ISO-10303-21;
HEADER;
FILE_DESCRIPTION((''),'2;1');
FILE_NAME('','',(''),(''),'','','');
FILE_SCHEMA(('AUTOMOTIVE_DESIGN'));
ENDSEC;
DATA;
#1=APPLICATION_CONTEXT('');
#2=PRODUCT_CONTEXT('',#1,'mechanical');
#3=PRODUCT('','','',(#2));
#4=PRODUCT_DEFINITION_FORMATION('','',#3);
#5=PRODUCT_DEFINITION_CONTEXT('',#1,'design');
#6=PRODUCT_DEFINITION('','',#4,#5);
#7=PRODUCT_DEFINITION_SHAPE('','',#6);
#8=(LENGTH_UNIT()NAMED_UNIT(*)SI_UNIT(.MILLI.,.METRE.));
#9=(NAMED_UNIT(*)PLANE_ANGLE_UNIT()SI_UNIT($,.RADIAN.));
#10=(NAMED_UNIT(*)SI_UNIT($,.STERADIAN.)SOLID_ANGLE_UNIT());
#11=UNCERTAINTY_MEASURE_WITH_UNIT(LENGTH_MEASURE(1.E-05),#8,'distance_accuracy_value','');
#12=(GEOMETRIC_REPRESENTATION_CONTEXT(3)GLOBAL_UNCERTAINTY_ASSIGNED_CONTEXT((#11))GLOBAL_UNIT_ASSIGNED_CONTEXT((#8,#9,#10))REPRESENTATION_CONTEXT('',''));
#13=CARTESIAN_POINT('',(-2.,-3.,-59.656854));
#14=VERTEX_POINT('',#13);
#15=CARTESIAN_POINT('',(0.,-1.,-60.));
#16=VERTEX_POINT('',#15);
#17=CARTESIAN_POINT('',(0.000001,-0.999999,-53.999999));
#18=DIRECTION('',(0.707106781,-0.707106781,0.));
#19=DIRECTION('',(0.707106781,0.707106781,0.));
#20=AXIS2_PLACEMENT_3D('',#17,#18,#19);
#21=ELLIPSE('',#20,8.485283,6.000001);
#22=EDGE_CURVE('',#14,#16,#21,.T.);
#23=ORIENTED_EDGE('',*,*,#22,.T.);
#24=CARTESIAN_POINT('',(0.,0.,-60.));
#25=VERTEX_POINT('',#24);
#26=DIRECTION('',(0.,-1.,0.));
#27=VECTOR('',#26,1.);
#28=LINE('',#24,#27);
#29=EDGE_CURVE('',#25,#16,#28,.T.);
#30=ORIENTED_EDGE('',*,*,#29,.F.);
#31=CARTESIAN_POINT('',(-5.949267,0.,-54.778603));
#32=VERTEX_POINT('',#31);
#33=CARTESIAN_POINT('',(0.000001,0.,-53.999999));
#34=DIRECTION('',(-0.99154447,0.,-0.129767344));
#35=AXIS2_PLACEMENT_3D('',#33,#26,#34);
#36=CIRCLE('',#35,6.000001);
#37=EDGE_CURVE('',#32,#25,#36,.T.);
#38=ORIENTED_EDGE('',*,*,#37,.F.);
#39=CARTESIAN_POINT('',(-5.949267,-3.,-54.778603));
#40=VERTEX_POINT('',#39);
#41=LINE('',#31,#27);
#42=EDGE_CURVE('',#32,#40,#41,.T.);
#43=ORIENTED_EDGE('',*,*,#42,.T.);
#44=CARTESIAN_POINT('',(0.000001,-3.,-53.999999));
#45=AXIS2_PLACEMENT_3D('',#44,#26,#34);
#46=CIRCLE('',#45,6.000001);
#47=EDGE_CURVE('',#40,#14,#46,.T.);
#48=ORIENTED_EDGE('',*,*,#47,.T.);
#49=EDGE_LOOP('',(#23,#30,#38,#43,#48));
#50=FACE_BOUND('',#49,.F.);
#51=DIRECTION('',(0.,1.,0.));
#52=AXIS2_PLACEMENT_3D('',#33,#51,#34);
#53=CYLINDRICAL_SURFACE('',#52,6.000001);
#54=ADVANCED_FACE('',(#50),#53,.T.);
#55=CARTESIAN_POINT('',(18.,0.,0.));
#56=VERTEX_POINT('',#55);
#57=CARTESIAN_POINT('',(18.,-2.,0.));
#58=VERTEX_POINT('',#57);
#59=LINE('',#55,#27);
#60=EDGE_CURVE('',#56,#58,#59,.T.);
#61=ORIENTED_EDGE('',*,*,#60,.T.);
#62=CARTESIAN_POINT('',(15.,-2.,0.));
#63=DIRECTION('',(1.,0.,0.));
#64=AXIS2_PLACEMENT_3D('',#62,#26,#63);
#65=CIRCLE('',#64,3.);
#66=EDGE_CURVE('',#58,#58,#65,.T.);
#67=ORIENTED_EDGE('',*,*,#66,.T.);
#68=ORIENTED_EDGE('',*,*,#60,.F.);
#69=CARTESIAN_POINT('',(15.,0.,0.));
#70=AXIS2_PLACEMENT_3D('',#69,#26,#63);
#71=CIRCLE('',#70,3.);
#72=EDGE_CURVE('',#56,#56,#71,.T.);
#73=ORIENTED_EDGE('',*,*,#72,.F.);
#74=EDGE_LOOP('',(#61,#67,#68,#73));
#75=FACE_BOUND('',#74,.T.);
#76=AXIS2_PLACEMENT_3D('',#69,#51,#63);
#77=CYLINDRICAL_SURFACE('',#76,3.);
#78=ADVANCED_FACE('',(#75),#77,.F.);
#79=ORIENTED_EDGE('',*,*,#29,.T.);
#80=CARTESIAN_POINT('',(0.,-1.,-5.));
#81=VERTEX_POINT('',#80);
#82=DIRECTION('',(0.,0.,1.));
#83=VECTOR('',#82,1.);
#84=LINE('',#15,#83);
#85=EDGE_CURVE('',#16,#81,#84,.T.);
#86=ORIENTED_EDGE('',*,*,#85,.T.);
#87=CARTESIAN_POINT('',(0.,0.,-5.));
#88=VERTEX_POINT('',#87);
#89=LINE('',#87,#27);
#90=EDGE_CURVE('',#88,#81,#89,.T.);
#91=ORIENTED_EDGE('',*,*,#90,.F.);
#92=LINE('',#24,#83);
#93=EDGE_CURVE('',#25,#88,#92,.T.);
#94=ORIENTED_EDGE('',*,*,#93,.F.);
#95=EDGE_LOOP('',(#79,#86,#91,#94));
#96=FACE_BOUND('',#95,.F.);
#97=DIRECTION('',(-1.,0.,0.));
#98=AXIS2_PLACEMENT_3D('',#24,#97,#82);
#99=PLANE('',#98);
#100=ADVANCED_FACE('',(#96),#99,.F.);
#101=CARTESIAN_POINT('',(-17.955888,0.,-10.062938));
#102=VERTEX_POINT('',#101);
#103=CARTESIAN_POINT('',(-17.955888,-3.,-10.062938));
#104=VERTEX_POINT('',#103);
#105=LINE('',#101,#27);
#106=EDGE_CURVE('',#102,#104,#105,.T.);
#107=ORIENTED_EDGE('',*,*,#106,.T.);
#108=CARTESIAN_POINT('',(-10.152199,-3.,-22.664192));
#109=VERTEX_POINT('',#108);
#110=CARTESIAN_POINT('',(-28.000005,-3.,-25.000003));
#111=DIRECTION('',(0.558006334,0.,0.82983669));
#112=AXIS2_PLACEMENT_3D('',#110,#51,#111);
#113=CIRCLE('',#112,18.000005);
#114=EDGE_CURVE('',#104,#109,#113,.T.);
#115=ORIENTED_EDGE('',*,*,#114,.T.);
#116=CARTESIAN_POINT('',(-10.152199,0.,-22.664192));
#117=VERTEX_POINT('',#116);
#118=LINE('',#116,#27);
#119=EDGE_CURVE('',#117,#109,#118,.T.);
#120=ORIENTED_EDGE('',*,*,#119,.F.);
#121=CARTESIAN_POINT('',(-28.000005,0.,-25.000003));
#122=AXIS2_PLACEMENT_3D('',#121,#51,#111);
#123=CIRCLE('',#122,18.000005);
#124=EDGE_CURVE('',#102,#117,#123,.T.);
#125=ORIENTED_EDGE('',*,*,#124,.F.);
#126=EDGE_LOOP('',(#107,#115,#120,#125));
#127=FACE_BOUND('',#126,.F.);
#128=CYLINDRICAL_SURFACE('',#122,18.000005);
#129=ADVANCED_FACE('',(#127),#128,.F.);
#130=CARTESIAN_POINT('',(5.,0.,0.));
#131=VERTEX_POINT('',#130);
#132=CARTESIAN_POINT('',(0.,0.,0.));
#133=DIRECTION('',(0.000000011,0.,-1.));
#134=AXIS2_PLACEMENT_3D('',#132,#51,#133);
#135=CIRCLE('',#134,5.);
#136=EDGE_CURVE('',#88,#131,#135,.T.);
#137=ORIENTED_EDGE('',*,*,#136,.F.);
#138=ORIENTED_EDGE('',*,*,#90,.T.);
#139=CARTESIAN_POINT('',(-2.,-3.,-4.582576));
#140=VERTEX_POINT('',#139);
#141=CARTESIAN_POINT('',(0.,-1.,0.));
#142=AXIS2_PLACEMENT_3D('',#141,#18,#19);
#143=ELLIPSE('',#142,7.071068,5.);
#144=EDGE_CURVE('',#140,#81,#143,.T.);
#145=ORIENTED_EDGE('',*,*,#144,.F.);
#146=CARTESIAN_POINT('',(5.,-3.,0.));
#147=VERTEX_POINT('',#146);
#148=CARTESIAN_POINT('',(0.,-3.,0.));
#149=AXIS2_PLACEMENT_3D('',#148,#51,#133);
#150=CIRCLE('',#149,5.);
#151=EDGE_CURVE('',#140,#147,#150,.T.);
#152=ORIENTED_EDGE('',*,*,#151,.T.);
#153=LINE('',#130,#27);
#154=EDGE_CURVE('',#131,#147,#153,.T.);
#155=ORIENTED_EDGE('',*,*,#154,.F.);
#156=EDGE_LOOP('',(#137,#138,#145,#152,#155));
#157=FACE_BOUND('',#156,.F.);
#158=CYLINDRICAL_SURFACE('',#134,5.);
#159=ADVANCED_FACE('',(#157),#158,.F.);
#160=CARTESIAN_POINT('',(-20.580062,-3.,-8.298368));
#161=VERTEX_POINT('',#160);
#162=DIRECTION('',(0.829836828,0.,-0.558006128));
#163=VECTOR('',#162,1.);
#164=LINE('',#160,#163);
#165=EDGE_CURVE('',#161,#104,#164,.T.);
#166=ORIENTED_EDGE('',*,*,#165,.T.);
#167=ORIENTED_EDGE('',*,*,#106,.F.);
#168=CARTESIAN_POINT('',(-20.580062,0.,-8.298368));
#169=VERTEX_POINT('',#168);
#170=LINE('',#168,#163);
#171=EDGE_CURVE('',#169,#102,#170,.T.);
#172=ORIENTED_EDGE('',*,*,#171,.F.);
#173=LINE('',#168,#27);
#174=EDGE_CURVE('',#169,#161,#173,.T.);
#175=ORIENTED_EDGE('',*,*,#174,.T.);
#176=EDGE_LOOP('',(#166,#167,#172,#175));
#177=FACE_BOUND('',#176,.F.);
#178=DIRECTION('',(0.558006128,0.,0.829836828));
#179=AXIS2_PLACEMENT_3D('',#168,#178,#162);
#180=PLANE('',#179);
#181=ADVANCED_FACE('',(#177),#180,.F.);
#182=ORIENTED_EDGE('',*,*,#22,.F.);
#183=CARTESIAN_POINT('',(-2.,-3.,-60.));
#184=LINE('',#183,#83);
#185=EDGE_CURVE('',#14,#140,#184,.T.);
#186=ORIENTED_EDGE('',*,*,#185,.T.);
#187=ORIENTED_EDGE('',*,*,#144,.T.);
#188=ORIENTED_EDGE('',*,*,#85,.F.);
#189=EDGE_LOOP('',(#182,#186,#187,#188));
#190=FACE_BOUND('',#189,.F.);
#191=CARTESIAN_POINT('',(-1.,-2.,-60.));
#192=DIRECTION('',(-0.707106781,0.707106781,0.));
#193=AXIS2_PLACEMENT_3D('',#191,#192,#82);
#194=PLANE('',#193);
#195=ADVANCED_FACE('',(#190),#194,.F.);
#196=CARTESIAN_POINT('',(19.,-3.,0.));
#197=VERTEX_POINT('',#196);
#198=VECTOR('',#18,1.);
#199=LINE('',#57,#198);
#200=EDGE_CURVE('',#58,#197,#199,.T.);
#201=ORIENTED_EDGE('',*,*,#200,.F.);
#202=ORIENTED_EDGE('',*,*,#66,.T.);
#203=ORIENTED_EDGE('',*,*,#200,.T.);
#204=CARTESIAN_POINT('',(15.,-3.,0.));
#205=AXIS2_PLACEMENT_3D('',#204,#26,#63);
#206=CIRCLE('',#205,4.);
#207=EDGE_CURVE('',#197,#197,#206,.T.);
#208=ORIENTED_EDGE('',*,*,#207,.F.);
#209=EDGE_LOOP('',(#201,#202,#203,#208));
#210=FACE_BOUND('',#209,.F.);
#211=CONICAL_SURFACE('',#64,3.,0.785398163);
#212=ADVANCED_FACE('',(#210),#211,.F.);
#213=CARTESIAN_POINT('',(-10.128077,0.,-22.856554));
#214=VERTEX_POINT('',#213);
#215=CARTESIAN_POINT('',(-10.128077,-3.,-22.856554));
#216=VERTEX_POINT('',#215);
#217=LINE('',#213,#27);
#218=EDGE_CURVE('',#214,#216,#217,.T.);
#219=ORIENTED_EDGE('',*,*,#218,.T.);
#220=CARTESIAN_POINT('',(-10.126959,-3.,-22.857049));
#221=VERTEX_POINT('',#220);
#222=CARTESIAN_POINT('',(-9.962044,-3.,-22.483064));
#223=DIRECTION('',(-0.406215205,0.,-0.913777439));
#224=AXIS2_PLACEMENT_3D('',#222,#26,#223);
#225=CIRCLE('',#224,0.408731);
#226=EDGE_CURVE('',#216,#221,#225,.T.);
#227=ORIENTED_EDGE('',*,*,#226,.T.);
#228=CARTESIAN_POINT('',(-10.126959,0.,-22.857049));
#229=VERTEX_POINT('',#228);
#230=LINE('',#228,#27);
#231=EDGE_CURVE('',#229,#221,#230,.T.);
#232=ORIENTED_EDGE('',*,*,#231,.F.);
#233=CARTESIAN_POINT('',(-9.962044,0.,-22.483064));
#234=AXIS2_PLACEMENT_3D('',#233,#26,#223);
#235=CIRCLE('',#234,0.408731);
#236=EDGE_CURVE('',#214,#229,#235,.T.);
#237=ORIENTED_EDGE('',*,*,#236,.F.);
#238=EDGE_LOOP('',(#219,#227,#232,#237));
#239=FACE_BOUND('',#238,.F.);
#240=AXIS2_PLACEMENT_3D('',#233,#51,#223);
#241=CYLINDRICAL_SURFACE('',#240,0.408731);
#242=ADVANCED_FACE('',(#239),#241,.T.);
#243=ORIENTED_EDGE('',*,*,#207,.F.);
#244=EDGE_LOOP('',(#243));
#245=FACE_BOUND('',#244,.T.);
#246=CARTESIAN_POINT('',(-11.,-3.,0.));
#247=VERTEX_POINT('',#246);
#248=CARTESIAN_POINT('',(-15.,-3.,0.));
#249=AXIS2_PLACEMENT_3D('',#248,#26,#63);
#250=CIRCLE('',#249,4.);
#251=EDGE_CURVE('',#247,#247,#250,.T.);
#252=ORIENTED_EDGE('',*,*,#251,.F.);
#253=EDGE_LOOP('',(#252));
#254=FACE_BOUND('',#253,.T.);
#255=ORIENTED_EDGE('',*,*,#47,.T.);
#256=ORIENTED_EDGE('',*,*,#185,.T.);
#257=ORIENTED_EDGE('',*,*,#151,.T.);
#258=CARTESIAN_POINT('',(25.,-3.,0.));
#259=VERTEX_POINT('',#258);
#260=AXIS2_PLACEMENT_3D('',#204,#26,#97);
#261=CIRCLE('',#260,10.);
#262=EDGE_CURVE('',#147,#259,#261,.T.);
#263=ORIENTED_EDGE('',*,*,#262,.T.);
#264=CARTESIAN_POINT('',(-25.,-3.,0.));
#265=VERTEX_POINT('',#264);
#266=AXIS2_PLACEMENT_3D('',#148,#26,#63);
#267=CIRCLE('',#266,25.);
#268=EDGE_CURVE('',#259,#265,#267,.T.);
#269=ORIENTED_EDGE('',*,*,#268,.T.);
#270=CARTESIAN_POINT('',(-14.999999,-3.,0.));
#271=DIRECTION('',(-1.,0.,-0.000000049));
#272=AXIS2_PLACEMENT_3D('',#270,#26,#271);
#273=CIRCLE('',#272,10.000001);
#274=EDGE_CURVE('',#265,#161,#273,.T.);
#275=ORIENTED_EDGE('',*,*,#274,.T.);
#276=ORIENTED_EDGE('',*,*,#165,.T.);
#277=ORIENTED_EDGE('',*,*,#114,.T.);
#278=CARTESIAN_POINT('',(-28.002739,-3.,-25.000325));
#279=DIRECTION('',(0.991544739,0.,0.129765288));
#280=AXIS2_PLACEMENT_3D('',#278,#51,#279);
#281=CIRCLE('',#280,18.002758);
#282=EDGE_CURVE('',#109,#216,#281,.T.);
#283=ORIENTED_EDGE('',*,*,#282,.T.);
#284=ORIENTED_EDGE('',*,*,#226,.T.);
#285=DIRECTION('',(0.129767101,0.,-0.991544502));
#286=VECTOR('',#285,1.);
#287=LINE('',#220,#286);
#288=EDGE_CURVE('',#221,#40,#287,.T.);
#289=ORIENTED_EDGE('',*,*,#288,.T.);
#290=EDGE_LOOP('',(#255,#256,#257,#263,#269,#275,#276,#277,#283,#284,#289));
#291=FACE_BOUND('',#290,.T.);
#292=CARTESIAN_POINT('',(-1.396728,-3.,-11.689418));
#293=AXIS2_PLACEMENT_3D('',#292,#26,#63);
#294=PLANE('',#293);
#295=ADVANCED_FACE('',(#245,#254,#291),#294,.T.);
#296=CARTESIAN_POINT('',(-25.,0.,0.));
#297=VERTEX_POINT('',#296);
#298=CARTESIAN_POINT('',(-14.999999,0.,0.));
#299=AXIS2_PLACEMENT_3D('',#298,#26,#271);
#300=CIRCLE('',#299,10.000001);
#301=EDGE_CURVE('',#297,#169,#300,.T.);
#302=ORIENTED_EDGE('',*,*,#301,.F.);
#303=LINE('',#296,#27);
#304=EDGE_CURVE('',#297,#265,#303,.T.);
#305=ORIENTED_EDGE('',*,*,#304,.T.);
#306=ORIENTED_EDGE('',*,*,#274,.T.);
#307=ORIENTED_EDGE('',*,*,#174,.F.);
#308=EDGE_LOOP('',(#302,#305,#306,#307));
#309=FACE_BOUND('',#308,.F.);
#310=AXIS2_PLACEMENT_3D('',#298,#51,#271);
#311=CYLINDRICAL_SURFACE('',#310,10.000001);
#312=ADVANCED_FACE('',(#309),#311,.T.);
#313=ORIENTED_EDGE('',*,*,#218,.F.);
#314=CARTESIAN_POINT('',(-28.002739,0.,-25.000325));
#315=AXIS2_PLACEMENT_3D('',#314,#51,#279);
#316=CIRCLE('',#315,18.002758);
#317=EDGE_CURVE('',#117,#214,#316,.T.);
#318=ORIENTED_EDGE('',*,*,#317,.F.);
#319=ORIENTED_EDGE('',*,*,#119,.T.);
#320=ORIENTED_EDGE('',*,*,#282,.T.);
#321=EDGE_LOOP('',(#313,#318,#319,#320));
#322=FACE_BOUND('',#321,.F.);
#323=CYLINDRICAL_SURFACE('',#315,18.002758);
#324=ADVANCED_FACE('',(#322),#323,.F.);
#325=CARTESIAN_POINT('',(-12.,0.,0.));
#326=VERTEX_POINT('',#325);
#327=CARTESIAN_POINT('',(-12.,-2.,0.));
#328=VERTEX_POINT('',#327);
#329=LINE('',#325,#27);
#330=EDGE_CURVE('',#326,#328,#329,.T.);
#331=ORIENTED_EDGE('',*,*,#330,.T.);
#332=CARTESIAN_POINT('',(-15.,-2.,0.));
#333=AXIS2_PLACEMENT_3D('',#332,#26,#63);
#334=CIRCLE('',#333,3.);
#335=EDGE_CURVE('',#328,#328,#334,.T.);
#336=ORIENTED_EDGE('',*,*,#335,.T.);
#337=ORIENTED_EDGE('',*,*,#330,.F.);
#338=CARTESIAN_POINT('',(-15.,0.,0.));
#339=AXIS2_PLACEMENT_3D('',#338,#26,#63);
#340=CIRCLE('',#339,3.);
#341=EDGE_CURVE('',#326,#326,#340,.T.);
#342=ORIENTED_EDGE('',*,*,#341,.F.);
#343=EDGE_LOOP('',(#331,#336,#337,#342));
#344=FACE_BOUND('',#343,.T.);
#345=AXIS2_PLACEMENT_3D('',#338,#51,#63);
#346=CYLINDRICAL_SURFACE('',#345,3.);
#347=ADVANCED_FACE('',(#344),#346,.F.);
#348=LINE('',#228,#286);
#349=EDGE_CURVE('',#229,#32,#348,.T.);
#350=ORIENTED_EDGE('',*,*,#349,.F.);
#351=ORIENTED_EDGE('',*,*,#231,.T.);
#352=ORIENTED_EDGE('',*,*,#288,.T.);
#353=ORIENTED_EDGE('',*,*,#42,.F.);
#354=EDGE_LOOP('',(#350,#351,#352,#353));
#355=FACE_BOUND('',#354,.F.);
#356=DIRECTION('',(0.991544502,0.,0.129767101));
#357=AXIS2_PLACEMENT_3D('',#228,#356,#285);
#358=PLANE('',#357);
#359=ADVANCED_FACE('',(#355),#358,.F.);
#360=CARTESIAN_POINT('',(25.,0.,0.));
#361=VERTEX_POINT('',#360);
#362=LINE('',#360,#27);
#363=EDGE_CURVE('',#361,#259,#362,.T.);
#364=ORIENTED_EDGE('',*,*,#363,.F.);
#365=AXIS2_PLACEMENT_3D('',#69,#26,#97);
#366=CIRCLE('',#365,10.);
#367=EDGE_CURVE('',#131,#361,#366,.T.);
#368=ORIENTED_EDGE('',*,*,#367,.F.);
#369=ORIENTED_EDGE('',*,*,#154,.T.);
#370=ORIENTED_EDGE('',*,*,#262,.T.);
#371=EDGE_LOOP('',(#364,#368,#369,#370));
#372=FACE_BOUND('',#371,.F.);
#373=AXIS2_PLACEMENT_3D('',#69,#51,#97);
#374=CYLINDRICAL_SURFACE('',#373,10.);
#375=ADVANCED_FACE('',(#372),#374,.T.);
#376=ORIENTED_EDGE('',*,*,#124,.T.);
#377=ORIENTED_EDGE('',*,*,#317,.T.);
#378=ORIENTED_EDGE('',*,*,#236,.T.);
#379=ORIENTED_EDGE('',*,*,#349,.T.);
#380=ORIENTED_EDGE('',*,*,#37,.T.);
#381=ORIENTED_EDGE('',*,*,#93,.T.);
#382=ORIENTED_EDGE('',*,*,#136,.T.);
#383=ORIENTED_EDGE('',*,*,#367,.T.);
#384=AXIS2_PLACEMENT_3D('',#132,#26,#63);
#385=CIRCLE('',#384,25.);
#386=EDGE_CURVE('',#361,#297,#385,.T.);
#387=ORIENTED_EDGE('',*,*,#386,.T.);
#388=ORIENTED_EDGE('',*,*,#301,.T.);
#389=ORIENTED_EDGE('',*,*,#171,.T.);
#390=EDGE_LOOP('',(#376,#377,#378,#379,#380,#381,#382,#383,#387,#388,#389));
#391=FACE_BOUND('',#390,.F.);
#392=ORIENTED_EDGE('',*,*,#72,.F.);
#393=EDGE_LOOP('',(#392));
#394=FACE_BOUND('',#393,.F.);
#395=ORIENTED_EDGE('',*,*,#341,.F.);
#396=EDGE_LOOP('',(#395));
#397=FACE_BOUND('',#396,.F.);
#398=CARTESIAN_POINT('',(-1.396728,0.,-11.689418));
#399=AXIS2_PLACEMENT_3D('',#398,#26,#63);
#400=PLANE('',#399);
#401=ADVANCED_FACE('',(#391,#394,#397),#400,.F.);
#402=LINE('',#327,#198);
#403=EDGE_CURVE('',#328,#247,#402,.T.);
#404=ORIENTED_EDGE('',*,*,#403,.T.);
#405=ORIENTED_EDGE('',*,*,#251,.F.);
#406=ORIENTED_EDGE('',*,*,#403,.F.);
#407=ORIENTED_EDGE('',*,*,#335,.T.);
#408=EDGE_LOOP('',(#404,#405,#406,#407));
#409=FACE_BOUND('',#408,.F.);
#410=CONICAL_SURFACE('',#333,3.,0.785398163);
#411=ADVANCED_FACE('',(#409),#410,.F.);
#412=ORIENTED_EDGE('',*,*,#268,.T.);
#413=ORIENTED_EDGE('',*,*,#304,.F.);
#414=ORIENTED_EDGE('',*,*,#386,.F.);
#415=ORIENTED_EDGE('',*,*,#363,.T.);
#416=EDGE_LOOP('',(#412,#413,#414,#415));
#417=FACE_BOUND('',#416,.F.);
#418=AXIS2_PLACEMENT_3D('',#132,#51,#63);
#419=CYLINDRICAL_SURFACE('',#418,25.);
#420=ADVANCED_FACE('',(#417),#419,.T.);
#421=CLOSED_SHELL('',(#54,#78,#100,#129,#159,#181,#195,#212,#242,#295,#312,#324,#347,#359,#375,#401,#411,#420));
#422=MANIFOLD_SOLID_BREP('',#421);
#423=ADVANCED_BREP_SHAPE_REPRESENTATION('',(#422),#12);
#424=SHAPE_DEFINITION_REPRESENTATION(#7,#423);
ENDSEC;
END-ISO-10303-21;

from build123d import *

# Parameters (mm, degrees)
F0_R     = 3
F1_DEPTH = 3
F2_SIZE  = 1
F3_SIZE  = 2


with BuildPart() as f1:
    # F0 (on Front) → F1 (new body)
    with BuildSketch(Plane.XZ):
        with BuildLine():
            ThreePointArc((0, -5), (-3.535534, 3.535534), (5, 0))
            ThreePointArc((5, 0), (15, -10), (25, 0))
            ThreePointArc((25, 0), (0, 25), (-25, 0))
            ThreePointArc((-25, 0), (-23.826115, -4.701031), (-20.580062, -8.298368))
            Line((-20.580062, -8.298368), (-17.955888, -10.062938))
            ThreePointArc((-17.955888, -10.062938), (-12.696811, -15.52306), (-10.152199, -22.664192))
            Line((-10.152199, -22.664192), (-10.126959, -22.857049))
            Line((-10.126959, -22.857049), (-5.949267, -54.778603))
            ThreePointArc((-5.949267, -54.778603), (-3.957801, -58.509524), (0, -60))
            Line((0, -60), (0, -5))
        make_face()
        with Locations((-15, 0)):
            Circle(F0_R, mode=Mode.SUBTRACT)
        with Locations((15, 0)):
            Circle(F0_R, mode=Mode.SUBTRACT)
        with BuildLine():
            ThreePointArc((-10.128077, -22.856554), (-10.127518, -22.856802), (-10.126959, -22.857049))
            Line((-10.126959, -22.857049), (-10.152199, -22.664192))
            ThreePointArc((-10.152199, -22.664192), (-10.139879, -22.760341), (-10.128077, -22.856554))
        make_face()
    extrude(amount=F1_DEPTH)

    # F2
    f2_edges = [f1.edges().sort_by_distance(p)[0] for p in [
        (-18, -3, 0),
        (12, -3, 0),
    ]]
    chamfer(f2_edges, length=F2_SIZE)

    # F3
    f3_edges = [f1.edges().sort_by_distance(p)[0] for p in [
        (0, -3, -32.5),
    ]]
    chamfer(f3_edges, length=F3_SIZE)


solid = f1.part
